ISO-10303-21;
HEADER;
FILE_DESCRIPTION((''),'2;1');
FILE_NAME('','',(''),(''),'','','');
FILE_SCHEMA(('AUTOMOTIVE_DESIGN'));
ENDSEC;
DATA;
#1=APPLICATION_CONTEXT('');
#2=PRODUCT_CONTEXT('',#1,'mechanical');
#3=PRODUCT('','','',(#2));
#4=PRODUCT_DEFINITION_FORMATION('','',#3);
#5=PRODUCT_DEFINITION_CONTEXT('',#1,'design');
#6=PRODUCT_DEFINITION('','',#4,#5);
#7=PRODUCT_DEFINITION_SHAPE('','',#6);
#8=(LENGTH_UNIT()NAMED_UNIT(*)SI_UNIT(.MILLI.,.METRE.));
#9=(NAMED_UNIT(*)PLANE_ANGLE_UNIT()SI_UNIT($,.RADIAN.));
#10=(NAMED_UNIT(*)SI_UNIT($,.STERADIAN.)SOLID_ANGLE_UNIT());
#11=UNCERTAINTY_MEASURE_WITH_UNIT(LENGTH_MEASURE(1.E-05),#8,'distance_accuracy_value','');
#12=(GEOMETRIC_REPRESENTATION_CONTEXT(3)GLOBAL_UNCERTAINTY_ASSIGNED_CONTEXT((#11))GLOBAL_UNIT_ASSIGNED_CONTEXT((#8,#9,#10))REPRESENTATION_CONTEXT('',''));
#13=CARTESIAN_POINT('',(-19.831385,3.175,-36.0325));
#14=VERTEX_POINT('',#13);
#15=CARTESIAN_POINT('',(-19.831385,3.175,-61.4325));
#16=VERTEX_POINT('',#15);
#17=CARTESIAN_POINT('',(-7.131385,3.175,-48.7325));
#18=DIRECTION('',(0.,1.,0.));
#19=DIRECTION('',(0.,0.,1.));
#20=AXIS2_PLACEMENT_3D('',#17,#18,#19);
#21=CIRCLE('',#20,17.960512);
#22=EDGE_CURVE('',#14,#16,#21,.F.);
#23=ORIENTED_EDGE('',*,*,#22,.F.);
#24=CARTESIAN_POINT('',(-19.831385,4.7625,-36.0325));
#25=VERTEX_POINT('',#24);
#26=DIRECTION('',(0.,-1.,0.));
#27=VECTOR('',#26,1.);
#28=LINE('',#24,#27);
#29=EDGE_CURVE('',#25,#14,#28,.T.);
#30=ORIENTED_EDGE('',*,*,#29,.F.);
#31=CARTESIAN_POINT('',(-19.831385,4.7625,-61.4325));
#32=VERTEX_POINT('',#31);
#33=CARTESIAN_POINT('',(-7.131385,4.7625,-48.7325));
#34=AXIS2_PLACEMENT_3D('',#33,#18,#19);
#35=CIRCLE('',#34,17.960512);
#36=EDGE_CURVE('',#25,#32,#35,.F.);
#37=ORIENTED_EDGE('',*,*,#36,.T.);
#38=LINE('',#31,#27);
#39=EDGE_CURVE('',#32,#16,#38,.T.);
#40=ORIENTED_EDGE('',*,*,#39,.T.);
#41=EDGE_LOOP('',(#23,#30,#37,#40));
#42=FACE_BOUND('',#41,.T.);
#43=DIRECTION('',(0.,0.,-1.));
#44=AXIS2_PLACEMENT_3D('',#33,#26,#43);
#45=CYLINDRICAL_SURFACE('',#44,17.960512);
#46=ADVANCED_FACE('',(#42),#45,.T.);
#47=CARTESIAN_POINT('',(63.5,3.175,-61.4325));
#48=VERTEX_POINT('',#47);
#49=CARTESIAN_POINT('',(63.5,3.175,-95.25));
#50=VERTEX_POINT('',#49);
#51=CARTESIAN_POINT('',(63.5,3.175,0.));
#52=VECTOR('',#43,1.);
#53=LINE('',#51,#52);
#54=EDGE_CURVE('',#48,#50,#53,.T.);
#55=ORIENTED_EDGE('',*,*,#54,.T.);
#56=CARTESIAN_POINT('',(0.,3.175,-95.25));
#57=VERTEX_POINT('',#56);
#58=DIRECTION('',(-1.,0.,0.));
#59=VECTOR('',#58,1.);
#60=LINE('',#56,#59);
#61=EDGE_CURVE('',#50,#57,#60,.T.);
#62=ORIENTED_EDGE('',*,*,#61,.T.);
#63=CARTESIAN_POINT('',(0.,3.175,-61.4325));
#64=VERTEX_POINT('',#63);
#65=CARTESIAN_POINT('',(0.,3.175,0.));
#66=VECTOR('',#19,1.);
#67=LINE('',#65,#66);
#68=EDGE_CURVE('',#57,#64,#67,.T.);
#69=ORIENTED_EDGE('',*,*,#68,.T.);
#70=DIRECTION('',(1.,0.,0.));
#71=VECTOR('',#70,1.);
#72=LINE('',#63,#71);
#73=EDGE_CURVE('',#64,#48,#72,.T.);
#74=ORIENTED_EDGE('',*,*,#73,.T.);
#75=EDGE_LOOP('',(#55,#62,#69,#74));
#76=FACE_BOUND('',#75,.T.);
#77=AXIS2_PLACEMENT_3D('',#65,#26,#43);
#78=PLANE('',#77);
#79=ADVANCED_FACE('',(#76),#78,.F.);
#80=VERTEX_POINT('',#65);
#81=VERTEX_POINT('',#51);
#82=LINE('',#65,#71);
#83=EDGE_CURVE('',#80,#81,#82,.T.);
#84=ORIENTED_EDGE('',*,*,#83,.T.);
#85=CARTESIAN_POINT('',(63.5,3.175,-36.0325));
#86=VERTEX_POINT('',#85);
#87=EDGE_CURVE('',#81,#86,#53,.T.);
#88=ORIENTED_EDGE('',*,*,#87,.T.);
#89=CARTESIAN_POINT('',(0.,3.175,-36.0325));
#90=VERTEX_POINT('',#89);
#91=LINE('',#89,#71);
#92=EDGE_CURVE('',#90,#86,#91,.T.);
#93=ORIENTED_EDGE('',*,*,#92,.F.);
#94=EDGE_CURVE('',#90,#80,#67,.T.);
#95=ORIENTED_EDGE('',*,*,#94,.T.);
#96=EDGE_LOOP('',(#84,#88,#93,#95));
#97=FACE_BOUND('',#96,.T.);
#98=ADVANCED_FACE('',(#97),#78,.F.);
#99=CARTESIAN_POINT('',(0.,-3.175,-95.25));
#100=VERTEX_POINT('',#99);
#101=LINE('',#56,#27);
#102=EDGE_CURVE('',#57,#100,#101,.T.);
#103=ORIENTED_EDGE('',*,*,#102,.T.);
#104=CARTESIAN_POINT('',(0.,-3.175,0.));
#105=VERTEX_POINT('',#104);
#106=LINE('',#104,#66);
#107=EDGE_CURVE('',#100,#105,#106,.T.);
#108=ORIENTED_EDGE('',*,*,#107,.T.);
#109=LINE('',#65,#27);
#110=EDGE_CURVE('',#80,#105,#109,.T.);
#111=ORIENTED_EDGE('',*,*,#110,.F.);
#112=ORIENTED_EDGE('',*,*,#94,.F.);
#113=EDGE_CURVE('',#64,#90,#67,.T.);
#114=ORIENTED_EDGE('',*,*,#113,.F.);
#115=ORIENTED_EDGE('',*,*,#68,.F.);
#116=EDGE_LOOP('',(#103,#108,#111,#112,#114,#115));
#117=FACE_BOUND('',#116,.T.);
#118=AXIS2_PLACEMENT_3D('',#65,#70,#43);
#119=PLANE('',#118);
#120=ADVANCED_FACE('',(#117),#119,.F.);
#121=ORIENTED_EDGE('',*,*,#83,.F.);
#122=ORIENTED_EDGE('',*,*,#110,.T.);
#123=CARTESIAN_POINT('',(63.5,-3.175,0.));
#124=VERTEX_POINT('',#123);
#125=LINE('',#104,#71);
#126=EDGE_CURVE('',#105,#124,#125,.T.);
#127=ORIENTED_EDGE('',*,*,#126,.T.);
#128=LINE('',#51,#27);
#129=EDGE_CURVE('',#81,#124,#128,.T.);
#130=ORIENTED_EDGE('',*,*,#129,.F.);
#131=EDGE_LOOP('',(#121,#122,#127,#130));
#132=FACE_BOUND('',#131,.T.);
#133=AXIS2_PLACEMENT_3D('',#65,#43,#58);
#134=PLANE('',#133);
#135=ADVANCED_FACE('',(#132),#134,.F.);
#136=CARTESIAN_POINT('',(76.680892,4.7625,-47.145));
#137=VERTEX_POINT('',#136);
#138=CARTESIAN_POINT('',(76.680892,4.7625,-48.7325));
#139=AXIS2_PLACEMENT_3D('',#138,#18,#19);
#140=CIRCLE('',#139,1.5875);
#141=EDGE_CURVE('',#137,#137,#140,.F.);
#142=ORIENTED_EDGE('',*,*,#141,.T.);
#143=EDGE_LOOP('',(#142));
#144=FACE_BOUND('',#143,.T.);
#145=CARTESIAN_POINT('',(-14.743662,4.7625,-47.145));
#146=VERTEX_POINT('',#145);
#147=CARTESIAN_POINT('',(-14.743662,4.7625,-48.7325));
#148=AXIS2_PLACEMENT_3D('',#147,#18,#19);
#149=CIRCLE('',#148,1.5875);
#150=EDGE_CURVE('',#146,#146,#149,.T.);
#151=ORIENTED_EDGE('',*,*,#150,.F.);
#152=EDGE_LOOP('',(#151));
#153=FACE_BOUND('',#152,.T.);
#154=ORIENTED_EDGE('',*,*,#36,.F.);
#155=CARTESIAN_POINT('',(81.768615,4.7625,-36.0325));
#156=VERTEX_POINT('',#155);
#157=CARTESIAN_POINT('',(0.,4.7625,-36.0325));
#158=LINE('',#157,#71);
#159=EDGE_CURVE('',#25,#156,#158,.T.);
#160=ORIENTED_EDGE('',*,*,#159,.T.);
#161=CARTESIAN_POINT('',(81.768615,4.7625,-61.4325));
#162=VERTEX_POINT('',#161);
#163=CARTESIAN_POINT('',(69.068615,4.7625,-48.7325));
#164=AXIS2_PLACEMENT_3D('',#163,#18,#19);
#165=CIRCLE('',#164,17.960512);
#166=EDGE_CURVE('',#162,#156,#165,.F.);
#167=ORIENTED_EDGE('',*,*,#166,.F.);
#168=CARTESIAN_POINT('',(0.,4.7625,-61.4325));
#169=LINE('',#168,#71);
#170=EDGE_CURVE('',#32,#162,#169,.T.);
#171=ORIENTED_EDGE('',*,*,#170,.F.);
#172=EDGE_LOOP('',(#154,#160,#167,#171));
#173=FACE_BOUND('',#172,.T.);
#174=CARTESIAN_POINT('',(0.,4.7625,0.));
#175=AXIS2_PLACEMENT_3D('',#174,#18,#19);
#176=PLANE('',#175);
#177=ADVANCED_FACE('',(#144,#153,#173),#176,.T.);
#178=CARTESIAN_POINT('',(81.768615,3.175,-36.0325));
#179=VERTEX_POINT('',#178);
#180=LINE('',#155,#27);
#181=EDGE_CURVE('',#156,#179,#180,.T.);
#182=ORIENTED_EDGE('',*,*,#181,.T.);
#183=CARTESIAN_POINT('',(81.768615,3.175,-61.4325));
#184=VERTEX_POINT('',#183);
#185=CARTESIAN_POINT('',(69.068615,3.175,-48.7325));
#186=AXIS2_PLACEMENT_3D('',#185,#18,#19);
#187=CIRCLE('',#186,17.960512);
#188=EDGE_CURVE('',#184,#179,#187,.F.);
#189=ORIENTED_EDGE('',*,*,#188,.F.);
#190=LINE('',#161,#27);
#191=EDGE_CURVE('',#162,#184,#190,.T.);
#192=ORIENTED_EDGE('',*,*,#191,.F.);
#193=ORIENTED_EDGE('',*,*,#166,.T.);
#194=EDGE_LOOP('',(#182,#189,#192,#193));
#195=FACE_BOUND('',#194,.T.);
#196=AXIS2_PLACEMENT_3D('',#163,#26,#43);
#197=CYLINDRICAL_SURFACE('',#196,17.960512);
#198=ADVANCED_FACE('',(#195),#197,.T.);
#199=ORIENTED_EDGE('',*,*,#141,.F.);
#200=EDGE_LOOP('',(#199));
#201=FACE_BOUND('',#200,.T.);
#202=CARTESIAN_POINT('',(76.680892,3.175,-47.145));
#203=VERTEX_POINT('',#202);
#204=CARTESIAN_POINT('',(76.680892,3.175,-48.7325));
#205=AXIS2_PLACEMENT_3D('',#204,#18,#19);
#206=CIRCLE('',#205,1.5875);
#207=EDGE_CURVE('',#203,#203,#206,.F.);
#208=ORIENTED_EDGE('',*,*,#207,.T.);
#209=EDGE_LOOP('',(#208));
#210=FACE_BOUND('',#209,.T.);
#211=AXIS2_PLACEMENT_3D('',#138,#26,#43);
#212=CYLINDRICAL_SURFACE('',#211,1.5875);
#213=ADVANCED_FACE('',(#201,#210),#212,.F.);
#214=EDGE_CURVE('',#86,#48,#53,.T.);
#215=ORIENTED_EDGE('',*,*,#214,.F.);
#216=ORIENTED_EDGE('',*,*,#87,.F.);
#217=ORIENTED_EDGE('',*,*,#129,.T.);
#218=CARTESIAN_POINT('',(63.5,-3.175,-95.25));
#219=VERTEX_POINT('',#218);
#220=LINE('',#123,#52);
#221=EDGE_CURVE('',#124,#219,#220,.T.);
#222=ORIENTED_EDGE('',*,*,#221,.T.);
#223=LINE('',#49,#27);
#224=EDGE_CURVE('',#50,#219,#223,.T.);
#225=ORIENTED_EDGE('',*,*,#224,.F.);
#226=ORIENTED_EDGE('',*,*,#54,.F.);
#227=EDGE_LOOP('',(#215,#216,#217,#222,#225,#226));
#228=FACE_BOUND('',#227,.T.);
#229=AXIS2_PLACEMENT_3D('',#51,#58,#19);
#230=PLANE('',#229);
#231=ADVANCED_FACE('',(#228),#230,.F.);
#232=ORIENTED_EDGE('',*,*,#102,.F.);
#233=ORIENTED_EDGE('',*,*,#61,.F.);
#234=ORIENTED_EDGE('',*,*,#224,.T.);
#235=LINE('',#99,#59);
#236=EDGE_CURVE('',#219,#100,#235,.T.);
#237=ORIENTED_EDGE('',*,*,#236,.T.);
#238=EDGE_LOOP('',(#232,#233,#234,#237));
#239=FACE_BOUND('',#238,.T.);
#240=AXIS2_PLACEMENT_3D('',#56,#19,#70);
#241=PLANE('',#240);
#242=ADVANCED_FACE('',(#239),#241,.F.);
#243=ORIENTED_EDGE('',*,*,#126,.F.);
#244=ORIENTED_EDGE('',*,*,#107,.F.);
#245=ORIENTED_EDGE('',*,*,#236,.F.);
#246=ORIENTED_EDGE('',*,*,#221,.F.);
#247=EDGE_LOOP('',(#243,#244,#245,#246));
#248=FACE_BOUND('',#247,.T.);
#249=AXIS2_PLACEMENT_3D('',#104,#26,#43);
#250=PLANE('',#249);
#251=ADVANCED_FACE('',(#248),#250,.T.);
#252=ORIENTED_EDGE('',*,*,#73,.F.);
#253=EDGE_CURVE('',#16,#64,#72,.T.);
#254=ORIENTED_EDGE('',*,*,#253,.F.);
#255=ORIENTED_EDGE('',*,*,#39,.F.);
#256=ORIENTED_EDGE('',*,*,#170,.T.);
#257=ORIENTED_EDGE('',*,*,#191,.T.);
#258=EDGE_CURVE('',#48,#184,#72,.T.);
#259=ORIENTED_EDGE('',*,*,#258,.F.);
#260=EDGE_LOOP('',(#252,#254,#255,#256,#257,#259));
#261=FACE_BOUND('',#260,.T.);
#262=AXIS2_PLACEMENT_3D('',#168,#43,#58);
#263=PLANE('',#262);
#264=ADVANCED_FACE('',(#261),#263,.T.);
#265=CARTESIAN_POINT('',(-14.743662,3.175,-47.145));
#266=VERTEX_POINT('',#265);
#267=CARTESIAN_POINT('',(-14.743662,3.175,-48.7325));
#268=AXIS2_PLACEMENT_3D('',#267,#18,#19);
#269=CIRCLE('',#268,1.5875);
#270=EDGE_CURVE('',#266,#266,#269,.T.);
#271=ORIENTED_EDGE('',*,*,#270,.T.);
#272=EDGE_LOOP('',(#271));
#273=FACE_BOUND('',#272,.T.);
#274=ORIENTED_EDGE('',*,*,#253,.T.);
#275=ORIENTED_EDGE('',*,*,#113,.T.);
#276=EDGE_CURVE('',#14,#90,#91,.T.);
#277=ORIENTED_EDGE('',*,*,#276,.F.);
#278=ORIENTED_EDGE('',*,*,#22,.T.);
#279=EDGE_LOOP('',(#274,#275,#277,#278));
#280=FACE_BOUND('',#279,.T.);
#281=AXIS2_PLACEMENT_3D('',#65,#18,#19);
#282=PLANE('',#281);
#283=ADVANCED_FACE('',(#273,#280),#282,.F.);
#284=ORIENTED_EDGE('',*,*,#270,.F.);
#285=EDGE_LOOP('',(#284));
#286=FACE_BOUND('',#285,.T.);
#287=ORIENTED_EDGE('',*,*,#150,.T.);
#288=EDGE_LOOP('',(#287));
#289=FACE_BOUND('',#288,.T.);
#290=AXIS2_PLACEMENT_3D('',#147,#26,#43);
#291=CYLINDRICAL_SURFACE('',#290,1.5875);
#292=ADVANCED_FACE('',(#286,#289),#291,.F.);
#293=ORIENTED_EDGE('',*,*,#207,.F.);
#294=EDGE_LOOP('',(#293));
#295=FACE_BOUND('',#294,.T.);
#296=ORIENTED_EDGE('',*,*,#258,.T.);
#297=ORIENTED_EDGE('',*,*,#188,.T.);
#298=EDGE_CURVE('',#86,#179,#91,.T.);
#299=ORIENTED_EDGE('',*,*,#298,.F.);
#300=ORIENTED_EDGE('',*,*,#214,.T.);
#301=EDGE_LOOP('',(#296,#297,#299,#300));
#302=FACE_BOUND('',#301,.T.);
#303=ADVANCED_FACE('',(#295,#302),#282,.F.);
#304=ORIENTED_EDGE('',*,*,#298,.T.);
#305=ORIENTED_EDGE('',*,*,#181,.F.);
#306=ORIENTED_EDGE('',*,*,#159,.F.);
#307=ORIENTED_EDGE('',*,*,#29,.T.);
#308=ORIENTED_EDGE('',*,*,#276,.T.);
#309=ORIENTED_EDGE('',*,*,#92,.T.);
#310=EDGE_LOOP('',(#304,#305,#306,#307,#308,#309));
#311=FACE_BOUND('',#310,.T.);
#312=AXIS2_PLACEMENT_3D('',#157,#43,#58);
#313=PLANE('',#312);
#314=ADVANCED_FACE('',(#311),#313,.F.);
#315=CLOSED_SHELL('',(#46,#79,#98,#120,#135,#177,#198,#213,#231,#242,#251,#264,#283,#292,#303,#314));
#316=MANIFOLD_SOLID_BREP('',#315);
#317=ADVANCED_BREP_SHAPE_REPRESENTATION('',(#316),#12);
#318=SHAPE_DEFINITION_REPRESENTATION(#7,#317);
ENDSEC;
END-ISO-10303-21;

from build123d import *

# Parameters (mm, degrees)
SKETCH1_W           = 63.5
SKETCH1_H           = 95.25
BOSS_EXTRUDE1_DEPTH = 3.175
SKETCH2_R           = 1.5875
BOSS_EXTRUDE2_DEPTH = 1.5875


with BuildPart() as part:
    # Sketch1 → Boss-Extrude1 (new body, symmetric)
    with BuildSketch(Plane(origin=(0, 0, 0), x_dir=(1, 0, 0), z_dir=(0, 1, 0))):
        with Locations((31.75, 47.625)):
            Rectangle(SKETCH1_W, SKETCH1_H)
    extrude(amount=BOSS_EXTRUDE1_DEPTH, both=True)

    # Sketch2 → Boss-Extrude2 (add)
    with BuildSketch(Plane(origin=(0, 3.175, 0), x_dir=(1, 0, 0), z_dir=(0, 1, 0))):
        with BuildLine():
            Line((-19.831384914, 36.032499706), (81.768615086, 36.032499706))
            ThreePointArc((81.768615086, 36.032499706), (87.029127328, 48.732499706), (81.768615086, 61.432499706))
            Line((81.768615086, 61.432499706), (-19.831384914, 61.432499706))
            ThreePointArc((-19.831384914, 61.432499706), (-25.091897156, 48.732499706), (-19.831384914, 36.032499706))
        make_face()
        with Locations((-14.743661756, 48.732499706)):
            Circle(SKETCH2_R, mode=Mode.SUBTRACT)
        with Locations((76.680891929, 48.732499706)):
            Circle(SKETCH2_R, mode=Mode.SUBTRACT)
    extrude(amount=BOSS_EXTRUDE2_DEPTH)


solid = part.part
